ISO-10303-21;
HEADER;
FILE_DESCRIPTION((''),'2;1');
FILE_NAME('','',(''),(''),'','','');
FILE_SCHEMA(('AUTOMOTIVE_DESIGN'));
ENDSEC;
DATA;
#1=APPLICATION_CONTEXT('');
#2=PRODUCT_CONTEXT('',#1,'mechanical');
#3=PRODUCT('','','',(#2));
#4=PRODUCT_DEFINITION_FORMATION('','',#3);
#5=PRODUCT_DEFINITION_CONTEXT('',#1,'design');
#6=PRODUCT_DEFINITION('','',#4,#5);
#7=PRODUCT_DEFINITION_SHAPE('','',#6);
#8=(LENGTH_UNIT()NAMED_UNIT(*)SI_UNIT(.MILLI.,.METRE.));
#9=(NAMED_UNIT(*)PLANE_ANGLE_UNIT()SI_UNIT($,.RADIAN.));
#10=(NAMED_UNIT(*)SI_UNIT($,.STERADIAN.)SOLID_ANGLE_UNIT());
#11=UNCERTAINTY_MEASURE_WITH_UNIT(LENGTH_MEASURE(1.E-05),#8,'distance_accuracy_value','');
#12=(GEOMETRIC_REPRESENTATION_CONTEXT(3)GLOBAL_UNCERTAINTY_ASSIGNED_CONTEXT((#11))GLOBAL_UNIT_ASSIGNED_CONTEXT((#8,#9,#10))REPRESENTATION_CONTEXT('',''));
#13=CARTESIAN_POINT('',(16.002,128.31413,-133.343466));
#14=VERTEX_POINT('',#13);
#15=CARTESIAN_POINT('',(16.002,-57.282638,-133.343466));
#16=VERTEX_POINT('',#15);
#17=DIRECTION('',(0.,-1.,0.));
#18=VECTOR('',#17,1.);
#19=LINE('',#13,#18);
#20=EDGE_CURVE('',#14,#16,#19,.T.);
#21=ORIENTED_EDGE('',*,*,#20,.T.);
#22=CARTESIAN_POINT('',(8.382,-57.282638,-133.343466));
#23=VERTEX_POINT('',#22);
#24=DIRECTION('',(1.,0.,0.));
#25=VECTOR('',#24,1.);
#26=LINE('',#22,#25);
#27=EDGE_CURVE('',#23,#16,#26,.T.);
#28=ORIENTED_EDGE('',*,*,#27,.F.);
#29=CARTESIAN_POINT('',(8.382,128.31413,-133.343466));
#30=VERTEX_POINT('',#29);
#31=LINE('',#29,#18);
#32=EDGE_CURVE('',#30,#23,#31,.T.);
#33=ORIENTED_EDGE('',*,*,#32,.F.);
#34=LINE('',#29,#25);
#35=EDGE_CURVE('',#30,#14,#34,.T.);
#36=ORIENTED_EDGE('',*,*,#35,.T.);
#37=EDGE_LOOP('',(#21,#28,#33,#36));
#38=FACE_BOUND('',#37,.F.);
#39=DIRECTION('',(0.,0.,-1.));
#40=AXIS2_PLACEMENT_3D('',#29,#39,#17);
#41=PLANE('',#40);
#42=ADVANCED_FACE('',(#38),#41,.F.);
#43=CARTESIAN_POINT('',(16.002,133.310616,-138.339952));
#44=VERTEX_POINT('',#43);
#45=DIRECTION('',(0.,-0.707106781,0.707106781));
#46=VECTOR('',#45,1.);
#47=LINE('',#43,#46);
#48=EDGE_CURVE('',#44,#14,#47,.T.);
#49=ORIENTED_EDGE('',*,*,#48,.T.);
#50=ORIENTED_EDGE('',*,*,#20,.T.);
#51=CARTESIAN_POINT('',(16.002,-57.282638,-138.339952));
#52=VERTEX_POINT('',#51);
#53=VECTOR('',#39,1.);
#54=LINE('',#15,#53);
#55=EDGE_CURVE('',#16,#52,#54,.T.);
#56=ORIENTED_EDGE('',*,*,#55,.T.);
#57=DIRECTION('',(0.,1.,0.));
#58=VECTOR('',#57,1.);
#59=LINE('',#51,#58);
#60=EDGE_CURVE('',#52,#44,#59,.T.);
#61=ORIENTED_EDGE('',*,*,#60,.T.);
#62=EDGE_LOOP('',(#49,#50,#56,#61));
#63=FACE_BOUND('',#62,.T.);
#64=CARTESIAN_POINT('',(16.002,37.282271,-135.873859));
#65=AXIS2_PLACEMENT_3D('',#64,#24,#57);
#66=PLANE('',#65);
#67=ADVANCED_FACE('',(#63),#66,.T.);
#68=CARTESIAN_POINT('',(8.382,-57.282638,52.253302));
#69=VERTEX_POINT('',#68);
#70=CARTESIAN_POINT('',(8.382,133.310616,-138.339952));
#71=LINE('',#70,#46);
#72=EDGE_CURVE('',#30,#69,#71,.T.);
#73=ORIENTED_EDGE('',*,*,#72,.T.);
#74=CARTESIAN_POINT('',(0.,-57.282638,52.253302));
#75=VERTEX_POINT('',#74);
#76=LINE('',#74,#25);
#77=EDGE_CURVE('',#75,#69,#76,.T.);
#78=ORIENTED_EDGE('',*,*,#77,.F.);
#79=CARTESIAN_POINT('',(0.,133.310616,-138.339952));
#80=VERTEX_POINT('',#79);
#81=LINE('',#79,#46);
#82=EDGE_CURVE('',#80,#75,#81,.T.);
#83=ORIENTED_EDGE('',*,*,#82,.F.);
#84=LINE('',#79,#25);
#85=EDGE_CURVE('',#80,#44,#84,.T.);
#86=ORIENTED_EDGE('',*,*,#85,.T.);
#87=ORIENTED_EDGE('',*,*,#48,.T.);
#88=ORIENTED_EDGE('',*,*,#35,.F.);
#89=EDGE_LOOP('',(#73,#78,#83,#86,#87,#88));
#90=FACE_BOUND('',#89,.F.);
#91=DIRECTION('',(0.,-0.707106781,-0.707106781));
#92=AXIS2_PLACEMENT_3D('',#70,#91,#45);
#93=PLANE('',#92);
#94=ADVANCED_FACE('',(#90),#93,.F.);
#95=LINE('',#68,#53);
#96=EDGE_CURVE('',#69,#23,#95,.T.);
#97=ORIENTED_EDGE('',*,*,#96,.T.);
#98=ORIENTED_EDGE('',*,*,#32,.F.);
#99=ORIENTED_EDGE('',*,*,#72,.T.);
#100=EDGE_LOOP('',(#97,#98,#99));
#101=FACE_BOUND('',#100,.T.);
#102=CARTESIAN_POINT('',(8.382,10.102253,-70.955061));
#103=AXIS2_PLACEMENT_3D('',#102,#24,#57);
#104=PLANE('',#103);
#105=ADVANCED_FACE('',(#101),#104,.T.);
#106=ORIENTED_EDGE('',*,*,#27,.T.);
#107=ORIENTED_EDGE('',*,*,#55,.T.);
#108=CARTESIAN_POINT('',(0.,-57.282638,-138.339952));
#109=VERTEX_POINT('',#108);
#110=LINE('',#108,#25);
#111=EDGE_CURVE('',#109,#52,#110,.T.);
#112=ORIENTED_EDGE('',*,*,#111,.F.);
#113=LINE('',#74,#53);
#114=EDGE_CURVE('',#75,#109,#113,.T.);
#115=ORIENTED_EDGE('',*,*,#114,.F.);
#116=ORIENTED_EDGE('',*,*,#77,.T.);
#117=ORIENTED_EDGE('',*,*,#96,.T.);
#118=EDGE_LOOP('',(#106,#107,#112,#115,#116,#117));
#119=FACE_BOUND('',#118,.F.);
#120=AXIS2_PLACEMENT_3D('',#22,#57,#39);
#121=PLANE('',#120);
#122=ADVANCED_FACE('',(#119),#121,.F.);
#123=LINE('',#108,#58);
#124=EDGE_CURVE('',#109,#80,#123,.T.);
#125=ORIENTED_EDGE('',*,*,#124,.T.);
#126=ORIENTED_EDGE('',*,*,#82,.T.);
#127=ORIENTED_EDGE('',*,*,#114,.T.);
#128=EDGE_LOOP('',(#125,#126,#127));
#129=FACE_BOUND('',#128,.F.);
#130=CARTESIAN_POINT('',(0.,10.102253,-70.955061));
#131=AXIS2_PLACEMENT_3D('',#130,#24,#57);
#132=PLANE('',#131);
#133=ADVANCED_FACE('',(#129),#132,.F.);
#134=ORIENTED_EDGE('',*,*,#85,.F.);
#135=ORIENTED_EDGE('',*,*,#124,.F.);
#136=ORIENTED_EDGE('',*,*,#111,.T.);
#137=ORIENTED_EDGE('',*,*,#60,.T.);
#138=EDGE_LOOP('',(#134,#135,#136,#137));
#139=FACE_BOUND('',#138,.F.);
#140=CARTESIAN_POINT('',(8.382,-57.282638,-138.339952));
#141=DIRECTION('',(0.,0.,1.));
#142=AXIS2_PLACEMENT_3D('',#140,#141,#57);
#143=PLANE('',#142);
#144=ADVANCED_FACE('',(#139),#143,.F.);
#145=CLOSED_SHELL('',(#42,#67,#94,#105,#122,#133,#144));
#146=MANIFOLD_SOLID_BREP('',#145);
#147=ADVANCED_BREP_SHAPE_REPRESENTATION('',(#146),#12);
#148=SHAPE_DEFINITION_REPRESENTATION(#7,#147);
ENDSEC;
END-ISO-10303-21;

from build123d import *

# Parameters (mm, degrees)
F1_DEPTH = 8.382
F3_DEPTH = 7.62


with BuildPart() as f1:
    # F0 (on Right) → F1 (new body)
    with BuildSketch(Plane.YZ):
        Polygon((133.310616, -138.339952), (-57.282638, 52.253302), (-57.282638, -138.339952), align=None)
    extrude(amount=F1_DEPTH)

    # F2 (on face) → F3 (join)
    with BuildSketch(Plane.YZ.offset(8.382)):
        Polygon((-57.282638, -133.343466), (-57.282638, -138.339952), (133.310616, -138.339952), (128.31413, -133.343466), align=None)
    extrude(amount=F3_DEPTH)


solid = f1.part
